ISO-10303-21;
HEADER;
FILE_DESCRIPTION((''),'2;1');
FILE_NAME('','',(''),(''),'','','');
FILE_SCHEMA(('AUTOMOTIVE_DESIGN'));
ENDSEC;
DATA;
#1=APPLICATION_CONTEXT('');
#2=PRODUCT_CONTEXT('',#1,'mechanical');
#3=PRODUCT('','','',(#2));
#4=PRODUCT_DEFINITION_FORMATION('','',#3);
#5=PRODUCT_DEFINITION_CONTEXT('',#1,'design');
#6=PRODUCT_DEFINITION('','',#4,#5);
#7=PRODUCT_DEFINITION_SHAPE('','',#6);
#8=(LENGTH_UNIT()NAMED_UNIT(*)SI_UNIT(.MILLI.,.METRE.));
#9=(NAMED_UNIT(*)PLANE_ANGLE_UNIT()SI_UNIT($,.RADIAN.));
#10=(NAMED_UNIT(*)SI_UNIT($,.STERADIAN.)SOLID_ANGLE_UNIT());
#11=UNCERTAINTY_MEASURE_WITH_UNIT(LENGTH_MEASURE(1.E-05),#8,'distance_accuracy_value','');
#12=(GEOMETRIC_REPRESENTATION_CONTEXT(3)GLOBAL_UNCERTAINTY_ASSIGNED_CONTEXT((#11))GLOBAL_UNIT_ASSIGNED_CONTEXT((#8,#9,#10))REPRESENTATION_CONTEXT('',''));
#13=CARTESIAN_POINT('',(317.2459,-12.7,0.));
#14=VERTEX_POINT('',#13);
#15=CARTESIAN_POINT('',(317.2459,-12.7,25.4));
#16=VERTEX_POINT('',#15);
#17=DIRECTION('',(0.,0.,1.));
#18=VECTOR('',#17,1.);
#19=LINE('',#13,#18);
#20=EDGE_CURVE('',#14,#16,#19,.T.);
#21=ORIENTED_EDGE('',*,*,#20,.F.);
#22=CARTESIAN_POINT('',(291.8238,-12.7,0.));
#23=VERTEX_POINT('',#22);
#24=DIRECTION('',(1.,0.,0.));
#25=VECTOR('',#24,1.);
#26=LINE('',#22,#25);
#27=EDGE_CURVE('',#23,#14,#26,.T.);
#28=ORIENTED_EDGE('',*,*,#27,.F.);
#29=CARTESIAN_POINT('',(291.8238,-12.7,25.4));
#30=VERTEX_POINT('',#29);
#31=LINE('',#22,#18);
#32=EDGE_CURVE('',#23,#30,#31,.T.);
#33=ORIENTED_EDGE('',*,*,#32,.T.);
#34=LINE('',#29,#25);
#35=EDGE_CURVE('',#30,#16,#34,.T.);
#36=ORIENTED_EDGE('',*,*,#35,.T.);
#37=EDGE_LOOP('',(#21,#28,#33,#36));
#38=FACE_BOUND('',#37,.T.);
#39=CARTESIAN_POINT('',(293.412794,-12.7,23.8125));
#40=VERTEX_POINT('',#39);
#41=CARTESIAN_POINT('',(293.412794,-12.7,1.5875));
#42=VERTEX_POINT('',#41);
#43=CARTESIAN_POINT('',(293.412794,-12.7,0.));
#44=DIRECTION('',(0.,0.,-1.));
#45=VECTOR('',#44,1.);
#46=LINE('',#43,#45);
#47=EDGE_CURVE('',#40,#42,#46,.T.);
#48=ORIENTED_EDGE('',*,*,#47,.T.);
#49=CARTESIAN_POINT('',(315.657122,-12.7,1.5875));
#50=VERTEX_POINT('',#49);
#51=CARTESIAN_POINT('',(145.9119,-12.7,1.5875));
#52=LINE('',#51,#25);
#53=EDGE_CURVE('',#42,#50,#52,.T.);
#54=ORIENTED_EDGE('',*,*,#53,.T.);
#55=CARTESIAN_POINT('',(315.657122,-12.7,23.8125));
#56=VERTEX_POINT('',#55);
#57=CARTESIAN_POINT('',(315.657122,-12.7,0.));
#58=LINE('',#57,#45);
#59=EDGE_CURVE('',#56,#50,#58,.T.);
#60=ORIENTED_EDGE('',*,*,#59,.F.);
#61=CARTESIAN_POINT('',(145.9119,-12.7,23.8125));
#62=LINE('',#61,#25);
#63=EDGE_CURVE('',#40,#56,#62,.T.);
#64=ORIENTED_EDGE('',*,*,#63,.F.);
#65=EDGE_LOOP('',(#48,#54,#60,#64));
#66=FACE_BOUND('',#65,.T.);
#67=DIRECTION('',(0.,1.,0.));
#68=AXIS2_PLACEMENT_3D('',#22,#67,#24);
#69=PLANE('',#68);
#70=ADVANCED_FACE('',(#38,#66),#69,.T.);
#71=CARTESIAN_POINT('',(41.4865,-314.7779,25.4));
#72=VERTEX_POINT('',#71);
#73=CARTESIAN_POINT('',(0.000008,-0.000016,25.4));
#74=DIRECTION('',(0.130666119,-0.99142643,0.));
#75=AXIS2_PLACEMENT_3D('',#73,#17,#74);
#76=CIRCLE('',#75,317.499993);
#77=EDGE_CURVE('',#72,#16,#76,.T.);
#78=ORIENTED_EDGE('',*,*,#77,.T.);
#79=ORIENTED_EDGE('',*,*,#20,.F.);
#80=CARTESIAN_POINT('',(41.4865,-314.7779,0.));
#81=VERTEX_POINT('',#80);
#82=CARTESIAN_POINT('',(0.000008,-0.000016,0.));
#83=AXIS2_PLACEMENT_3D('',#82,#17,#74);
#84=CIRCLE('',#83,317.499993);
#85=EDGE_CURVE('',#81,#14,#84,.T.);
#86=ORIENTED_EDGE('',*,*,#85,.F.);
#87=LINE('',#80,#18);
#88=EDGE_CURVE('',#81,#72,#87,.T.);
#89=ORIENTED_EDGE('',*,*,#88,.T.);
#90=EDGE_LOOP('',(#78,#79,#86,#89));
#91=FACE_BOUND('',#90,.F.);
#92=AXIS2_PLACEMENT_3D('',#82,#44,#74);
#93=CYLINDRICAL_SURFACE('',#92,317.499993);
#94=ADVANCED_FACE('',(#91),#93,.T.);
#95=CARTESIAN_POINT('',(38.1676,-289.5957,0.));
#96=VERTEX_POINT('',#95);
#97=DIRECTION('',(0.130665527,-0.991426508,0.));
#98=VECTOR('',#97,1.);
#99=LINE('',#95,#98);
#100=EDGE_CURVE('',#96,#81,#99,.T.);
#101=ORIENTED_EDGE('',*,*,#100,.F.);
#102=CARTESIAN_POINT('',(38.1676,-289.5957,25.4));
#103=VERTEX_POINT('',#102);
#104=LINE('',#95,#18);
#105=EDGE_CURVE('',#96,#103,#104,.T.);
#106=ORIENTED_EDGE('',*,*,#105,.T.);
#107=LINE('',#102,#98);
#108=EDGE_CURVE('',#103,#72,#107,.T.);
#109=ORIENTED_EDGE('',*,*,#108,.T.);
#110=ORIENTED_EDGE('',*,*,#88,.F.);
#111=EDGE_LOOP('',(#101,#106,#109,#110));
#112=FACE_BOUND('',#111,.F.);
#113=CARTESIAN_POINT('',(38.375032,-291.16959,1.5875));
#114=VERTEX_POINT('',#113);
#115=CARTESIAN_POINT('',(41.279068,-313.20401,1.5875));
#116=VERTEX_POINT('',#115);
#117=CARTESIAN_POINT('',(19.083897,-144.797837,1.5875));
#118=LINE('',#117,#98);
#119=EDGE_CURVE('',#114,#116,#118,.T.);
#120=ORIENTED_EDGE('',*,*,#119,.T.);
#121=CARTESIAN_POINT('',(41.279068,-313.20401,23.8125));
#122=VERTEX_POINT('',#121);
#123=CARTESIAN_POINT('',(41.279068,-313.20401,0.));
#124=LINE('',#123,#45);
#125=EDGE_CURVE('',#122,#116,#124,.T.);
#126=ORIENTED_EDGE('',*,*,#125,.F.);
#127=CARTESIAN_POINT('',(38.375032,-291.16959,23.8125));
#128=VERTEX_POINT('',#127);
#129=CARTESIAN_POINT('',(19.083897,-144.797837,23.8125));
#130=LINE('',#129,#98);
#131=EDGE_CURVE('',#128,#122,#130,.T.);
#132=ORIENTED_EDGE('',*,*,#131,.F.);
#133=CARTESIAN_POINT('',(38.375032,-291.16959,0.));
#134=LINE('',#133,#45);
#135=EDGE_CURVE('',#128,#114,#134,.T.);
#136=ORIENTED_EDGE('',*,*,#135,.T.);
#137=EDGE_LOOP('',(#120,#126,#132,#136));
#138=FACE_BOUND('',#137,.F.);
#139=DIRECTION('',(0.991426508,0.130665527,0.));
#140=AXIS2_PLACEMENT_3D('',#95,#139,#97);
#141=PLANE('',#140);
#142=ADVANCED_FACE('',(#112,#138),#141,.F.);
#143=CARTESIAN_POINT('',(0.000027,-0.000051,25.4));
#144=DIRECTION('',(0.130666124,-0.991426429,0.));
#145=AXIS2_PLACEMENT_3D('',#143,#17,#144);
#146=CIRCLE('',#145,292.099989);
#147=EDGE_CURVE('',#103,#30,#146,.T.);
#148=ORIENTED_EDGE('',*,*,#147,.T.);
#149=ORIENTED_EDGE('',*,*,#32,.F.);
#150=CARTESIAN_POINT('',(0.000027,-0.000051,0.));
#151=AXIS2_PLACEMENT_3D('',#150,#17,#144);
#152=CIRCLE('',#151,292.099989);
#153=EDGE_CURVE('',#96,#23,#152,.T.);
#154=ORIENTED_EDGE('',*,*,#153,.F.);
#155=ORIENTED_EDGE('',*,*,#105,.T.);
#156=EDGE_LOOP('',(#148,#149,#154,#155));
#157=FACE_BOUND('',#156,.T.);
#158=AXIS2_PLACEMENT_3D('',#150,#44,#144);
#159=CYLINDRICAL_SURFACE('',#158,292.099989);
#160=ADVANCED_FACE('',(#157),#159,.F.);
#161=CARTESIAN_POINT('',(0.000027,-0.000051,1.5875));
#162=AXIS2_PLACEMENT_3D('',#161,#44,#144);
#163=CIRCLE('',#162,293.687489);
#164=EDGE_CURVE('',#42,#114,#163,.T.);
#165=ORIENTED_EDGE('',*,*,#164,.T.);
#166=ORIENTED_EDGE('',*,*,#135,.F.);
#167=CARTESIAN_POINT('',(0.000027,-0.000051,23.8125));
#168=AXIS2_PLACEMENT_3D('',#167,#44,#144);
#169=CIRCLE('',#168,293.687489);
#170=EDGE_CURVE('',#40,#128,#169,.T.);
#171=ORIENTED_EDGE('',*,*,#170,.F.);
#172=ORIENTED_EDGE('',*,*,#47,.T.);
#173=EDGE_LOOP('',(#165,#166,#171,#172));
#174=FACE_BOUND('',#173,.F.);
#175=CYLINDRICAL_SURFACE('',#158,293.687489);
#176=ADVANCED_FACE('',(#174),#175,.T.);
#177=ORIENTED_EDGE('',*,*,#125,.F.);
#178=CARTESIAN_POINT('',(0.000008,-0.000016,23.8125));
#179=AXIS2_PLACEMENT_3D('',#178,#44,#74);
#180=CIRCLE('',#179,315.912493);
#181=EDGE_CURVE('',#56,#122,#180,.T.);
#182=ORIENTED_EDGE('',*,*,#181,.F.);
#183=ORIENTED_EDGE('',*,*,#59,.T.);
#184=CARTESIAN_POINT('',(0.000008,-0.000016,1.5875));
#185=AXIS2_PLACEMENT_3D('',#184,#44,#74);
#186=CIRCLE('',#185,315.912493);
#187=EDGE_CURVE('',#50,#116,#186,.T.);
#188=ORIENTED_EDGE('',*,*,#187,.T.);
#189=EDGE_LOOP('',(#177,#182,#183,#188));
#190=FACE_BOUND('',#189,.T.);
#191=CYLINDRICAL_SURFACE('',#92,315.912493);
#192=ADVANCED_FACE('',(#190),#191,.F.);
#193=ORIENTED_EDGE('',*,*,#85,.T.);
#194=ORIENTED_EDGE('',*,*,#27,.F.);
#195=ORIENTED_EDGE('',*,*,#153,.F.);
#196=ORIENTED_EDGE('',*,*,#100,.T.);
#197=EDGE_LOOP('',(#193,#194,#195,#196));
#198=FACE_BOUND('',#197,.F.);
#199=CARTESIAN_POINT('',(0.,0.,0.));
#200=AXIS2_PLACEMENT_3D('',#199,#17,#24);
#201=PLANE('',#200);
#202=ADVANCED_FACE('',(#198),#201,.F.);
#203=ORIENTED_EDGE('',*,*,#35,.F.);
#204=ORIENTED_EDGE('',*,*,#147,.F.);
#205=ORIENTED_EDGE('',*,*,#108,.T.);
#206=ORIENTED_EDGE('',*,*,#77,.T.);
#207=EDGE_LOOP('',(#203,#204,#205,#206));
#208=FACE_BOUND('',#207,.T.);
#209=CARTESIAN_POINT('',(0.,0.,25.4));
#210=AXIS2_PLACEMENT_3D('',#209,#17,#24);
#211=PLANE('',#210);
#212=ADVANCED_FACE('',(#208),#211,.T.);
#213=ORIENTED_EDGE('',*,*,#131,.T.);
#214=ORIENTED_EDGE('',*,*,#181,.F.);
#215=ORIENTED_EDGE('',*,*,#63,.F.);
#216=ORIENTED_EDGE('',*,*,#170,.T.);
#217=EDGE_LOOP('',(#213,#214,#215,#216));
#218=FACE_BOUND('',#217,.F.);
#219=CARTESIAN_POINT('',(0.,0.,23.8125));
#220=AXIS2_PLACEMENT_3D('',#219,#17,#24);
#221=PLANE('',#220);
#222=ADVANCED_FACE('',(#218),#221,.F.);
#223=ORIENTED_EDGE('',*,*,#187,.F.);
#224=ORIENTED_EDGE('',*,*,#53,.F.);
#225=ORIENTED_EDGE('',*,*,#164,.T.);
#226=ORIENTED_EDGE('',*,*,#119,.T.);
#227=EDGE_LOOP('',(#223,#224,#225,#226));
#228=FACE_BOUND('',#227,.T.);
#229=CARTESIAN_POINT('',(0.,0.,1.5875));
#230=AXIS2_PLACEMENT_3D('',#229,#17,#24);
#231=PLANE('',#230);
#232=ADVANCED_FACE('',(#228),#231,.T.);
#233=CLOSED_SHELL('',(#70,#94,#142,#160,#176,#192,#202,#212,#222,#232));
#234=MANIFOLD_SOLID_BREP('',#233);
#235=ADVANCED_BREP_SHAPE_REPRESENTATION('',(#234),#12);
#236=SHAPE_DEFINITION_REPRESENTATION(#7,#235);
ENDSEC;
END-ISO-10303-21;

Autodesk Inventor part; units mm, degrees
ref_plane "YZ Plane" through (0, 0, 0) normal (1, 0, 0) x (0, 1, 0)
ref_plane "XZ Plane" through (0, 0, 0) normal (0, 1, 0) x (-1, 0, 0)
ref_plane "XY Plane" through (0, 0, 0) normal (0, 0, 1) x (1, 0, 0)
sketch "Sketch1" plane through (0, 0, 0) normal (0, 0, 1) x (1, 0, 0)
  arc A0 (38.1676, -289.5957) -> (291.8238, -12.7) centre (0, 0) ccw
  arc A1 (41.4865, -314.7779) -> (317.2459, -12.7) centre (0, 0) ccw
  line L0 (38.1676, -289.5957) -> (41.4865, -314.7779)
  line L1 (291.8238, -12.7) -> (317.2459, -12.7)
  line L2 (0, 0) -> (38.1676, -289.5957) construction
  line L3 (0, -292.1) -> (0, 0) construction
  line L4 (291.8238, -12.7) -> (0, 0) construction
  line L5 (291.8238, 0) -> (317.2459, 0) construction
  line L6 (317.2459, 0) -> (317.2459, -12.7) construction
  line L7 (317.2459, -12.7) -> (291.8238, -12.7) construction
  line L8 (291.8238, -12.7) -> (291.8238, 0) construction
  line L9 (0, 0) -> (359.7285, 0) construction
  dimension "d0" = 292.1
  dimension "d1" = 25.4
  dimension "d9" = 12.7
  dimension "d10" = 80
extrude "Extrusion1" add sketch "Sketch1" along normal blind 25.4
shell "Shell1" thickness 1.5875 removed faces 2 at (300.2978, -12.7, 8.4667) at (40.3802, -306.3838, 8.4667)
properties part number "Shooter_Frame_RearGuide" material "Aluminum-6061"
